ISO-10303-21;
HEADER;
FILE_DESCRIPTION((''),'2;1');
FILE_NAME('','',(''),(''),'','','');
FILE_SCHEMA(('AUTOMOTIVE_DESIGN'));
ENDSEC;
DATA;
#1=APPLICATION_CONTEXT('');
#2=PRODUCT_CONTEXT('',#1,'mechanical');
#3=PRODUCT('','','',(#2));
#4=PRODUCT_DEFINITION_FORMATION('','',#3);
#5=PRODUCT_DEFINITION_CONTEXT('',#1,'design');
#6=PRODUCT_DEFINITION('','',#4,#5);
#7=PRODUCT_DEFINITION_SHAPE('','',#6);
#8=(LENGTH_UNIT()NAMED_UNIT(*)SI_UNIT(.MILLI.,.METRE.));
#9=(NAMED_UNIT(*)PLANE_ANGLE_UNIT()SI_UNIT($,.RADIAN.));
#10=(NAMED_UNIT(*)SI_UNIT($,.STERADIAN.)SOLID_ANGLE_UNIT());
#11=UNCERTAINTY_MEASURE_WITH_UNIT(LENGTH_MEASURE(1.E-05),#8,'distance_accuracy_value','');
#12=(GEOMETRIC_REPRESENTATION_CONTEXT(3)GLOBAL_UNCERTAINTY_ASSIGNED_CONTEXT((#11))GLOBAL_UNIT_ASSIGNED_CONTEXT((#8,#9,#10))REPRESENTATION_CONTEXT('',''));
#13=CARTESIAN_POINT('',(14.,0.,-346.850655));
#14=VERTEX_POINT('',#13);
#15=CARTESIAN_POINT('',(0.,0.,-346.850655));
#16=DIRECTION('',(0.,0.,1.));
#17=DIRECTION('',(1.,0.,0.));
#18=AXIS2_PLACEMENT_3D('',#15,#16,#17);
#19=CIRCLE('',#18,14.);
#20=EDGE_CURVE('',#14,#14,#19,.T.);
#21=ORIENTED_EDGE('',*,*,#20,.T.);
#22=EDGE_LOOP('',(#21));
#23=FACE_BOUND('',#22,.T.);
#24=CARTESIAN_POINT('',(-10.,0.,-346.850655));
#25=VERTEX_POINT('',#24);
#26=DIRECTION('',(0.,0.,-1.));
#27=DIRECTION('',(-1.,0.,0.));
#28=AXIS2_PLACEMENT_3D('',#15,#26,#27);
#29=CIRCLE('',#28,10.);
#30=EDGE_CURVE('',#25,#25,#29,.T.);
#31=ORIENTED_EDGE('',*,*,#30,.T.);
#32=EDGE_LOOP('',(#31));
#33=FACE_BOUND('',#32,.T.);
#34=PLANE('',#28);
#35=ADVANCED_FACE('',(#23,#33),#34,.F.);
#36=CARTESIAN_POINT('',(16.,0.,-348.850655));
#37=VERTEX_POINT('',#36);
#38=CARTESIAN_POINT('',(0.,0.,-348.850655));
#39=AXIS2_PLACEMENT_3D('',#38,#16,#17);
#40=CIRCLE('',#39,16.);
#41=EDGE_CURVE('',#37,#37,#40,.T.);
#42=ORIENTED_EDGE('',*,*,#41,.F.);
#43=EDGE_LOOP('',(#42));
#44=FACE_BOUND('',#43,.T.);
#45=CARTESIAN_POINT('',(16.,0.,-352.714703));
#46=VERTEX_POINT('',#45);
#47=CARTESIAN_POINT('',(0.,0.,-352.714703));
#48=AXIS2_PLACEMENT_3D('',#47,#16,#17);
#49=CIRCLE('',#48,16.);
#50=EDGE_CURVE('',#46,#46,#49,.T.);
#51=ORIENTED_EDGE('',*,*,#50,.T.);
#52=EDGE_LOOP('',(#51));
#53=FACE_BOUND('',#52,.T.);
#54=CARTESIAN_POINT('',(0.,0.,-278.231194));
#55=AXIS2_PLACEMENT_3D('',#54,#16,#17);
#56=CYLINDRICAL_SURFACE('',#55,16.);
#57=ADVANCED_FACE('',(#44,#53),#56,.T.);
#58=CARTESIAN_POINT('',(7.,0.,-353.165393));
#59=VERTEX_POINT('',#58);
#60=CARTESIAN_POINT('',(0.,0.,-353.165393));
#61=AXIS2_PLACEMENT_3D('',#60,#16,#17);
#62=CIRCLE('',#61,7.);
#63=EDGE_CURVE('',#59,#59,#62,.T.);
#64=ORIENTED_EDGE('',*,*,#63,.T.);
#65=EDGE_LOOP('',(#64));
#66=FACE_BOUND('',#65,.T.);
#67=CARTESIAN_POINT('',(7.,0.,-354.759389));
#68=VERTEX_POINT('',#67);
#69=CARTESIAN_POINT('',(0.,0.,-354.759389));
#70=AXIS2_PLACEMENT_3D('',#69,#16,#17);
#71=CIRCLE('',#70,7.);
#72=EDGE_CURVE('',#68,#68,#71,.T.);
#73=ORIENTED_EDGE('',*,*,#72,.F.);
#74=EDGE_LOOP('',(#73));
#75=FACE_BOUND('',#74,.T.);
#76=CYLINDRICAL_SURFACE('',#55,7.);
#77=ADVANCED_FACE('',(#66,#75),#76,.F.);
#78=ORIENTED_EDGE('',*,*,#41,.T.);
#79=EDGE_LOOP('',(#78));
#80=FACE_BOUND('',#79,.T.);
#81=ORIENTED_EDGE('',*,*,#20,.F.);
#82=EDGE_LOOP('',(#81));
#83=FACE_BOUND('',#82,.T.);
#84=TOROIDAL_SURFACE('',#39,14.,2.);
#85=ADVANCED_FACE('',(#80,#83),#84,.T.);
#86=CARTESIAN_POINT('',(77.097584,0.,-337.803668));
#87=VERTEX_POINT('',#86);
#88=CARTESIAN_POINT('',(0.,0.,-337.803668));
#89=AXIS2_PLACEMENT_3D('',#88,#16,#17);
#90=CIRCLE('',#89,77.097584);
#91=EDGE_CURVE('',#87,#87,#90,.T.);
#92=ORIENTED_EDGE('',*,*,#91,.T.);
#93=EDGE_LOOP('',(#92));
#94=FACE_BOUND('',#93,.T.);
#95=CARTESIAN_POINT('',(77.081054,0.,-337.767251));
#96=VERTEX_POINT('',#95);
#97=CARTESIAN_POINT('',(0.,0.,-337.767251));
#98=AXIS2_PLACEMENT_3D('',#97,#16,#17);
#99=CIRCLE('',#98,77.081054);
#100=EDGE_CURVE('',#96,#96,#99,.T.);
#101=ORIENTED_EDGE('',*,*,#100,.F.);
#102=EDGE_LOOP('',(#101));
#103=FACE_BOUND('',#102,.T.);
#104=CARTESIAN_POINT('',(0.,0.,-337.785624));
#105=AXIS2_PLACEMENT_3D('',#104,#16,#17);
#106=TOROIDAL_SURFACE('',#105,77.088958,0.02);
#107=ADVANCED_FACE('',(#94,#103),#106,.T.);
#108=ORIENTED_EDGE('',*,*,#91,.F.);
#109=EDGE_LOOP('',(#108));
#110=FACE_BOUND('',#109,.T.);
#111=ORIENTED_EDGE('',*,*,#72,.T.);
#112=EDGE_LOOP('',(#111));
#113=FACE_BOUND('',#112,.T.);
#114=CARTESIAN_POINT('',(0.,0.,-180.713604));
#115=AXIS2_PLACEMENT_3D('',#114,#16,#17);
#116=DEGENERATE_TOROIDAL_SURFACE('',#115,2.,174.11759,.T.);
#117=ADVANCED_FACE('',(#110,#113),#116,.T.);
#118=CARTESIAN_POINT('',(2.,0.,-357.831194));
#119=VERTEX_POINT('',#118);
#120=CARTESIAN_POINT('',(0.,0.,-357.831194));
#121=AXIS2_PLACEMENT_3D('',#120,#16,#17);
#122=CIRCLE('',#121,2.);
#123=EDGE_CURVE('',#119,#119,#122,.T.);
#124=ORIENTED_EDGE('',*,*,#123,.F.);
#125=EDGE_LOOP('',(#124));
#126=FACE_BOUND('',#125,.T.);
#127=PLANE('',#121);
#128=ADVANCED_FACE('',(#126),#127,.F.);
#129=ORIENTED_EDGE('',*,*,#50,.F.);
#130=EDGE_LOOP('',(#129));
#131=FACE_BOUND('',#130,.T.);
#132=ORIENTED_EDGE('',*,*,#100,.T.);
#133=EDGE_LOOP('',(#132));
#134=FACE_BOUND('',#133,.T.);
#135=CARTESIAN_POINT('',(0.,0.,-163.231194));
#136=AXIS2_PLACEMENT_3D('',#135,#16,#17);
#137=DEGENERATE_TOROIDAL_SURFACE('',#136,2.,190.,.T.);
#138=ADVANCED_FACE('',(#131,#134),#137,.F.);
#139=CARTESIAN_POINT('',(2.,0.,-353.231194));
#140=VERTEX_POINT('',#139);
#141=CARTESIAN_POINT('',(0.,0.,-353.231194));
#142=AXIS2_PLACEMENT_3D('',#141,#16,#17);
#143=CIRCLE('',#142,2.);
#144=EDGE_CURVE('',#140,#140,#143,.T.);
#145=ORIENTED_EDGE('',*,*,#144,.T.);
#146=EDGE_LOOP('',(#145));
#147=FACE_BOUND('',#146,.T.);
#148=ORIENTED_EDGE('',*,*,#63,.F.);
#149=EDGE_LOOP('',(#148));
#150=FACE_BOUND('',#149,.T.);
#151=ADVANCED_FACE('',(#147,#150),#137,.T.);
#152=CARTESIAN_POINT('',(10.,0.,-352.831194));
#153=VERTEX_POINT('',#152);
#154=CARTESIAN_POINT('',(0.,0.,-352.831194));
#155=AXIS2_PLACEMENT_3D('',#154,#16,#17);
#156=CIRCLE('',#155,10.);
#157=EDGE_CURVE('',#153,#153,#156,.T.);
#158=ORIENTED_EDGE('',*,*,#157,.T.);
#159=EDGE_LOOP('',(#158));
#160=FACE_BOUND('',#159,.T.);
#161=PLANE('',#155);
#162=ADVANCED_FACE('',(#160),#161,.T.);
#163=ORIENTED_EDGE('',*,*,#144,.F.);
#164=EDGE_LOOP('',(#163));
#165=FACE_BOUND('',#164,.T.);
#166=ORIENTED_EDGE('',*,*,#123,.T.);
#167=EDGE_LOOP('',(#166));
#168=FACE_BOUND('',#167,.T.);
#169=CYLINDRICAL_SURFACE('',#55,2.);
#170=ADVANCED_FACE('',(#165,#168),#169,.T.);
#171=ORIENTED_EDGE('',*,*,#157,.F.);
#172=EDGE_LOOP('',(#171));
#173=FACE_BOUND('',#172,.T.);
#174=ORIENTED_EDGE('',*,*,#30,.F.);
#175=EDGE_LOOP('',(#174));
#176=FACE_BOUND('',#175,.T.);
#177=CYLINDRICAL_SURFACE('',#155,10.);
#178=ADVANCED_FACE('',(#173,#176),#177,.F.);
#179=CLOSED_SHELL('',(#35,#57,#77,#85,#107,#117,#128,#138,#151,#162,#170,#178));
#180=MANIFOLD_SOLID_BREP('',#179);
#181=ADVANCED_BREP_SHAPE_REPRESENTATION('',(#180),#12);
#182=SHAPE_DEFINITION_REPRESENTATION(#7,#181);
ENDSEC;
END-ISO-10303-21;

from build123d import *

# Parameters (mm, degrees)
SCALE2_SCALE       = 0.2
SKETCH3_R          = 10
CUT_EXTRUDE1_DEPTH = 65


with BuildPart() as part:
    # Sketch2 → Revolve1 (revolve)
    with BuildSketch(Plane(origin=(0, 0, 0), x_dir=(0, 0, -1), z_dir=(1, 0, 0))):
        with BuildLine():
            Line((48, 10), (48, 0))
            Line((48, 0), (398, 0))
            Line((398, 0), (398, 10))
            Line((398, 10), (375, 10))
            ThreePointArc((375, 10), (374.354166119, 45.023810067), (372.417542586, 80))
            Line((372.417542586, 80), (353.097307046, 80))
            ThreePointArc((353.097307046, 80), (346.026239234, 77.071067812), (343.097307046, 70))
            Line((343.097307046, 70), (343.097307046, 35))
            Line((343.097307046, 35), (366.168534539, 35))
            ThreePointArc((366.168534539, 35), (363.285489503, 22.450350148), (360, 10))
            Line((360, 10), (48, 10))
        make_face()
    revolve(axis=Axis((0, 0, 0), (0, 0, -1)))

    # Sketch2<4> → Revolve4 (revolve)
    with BuildSketch(Plane(origin=(0, 0, 0), x_dir=(0, 0, -1), z_dir=(1, 0, 0))):
        with BuildLine():
            Line((374.670995661, 35), (382.64097315, 35))
            ThreePointArc((382.64097315, 35), (381.418152433, 62.457340976), (379.329217835, 89.8623992))
            ThreePointArc((379.329217835, 89.8623992), (351.714253626, 241.290271622), (297.862368165, 385.487918021))
            ThreePointArc((297.862368165, 385.487918021), (297.730815988, 385.535846448), (297.680286408, 385.405271294))
            ThreePointArc((297.680286408, 385.405271294), (347.771435249, 235.81602753), (372.417542586, 80))
            ThreePointArc((372.417542586, 80), (373.100657211, 70.04284966), (373.679127274, 60.079072219))
            ThreePointArc((373.679127274, 60.079072219), (374.257887656, 47.542811856), (374.670995661, 35))
        make_face()
    revolve(axis=Axis((0, 0, 0), (0, 0, -1)))


with BuildPart() as part_1:
    # Scale2: scaled about (0, 0, -347.788992614)
    add(part.part.scale(SCALE2_SCALE).moved(Location((0, 0, -278.231194091))))

    # Sketch3 → Cut-Extrude1 (cut)
    with BuildSketch(Plane.XY.offset(-287.831194091)):
        Circle(SKETCH3_R)
    extrude(amount=-CUT_EXTRUDE1_DEPTH, mode=Mode.SUBTRACT)


solid = part_1.part
